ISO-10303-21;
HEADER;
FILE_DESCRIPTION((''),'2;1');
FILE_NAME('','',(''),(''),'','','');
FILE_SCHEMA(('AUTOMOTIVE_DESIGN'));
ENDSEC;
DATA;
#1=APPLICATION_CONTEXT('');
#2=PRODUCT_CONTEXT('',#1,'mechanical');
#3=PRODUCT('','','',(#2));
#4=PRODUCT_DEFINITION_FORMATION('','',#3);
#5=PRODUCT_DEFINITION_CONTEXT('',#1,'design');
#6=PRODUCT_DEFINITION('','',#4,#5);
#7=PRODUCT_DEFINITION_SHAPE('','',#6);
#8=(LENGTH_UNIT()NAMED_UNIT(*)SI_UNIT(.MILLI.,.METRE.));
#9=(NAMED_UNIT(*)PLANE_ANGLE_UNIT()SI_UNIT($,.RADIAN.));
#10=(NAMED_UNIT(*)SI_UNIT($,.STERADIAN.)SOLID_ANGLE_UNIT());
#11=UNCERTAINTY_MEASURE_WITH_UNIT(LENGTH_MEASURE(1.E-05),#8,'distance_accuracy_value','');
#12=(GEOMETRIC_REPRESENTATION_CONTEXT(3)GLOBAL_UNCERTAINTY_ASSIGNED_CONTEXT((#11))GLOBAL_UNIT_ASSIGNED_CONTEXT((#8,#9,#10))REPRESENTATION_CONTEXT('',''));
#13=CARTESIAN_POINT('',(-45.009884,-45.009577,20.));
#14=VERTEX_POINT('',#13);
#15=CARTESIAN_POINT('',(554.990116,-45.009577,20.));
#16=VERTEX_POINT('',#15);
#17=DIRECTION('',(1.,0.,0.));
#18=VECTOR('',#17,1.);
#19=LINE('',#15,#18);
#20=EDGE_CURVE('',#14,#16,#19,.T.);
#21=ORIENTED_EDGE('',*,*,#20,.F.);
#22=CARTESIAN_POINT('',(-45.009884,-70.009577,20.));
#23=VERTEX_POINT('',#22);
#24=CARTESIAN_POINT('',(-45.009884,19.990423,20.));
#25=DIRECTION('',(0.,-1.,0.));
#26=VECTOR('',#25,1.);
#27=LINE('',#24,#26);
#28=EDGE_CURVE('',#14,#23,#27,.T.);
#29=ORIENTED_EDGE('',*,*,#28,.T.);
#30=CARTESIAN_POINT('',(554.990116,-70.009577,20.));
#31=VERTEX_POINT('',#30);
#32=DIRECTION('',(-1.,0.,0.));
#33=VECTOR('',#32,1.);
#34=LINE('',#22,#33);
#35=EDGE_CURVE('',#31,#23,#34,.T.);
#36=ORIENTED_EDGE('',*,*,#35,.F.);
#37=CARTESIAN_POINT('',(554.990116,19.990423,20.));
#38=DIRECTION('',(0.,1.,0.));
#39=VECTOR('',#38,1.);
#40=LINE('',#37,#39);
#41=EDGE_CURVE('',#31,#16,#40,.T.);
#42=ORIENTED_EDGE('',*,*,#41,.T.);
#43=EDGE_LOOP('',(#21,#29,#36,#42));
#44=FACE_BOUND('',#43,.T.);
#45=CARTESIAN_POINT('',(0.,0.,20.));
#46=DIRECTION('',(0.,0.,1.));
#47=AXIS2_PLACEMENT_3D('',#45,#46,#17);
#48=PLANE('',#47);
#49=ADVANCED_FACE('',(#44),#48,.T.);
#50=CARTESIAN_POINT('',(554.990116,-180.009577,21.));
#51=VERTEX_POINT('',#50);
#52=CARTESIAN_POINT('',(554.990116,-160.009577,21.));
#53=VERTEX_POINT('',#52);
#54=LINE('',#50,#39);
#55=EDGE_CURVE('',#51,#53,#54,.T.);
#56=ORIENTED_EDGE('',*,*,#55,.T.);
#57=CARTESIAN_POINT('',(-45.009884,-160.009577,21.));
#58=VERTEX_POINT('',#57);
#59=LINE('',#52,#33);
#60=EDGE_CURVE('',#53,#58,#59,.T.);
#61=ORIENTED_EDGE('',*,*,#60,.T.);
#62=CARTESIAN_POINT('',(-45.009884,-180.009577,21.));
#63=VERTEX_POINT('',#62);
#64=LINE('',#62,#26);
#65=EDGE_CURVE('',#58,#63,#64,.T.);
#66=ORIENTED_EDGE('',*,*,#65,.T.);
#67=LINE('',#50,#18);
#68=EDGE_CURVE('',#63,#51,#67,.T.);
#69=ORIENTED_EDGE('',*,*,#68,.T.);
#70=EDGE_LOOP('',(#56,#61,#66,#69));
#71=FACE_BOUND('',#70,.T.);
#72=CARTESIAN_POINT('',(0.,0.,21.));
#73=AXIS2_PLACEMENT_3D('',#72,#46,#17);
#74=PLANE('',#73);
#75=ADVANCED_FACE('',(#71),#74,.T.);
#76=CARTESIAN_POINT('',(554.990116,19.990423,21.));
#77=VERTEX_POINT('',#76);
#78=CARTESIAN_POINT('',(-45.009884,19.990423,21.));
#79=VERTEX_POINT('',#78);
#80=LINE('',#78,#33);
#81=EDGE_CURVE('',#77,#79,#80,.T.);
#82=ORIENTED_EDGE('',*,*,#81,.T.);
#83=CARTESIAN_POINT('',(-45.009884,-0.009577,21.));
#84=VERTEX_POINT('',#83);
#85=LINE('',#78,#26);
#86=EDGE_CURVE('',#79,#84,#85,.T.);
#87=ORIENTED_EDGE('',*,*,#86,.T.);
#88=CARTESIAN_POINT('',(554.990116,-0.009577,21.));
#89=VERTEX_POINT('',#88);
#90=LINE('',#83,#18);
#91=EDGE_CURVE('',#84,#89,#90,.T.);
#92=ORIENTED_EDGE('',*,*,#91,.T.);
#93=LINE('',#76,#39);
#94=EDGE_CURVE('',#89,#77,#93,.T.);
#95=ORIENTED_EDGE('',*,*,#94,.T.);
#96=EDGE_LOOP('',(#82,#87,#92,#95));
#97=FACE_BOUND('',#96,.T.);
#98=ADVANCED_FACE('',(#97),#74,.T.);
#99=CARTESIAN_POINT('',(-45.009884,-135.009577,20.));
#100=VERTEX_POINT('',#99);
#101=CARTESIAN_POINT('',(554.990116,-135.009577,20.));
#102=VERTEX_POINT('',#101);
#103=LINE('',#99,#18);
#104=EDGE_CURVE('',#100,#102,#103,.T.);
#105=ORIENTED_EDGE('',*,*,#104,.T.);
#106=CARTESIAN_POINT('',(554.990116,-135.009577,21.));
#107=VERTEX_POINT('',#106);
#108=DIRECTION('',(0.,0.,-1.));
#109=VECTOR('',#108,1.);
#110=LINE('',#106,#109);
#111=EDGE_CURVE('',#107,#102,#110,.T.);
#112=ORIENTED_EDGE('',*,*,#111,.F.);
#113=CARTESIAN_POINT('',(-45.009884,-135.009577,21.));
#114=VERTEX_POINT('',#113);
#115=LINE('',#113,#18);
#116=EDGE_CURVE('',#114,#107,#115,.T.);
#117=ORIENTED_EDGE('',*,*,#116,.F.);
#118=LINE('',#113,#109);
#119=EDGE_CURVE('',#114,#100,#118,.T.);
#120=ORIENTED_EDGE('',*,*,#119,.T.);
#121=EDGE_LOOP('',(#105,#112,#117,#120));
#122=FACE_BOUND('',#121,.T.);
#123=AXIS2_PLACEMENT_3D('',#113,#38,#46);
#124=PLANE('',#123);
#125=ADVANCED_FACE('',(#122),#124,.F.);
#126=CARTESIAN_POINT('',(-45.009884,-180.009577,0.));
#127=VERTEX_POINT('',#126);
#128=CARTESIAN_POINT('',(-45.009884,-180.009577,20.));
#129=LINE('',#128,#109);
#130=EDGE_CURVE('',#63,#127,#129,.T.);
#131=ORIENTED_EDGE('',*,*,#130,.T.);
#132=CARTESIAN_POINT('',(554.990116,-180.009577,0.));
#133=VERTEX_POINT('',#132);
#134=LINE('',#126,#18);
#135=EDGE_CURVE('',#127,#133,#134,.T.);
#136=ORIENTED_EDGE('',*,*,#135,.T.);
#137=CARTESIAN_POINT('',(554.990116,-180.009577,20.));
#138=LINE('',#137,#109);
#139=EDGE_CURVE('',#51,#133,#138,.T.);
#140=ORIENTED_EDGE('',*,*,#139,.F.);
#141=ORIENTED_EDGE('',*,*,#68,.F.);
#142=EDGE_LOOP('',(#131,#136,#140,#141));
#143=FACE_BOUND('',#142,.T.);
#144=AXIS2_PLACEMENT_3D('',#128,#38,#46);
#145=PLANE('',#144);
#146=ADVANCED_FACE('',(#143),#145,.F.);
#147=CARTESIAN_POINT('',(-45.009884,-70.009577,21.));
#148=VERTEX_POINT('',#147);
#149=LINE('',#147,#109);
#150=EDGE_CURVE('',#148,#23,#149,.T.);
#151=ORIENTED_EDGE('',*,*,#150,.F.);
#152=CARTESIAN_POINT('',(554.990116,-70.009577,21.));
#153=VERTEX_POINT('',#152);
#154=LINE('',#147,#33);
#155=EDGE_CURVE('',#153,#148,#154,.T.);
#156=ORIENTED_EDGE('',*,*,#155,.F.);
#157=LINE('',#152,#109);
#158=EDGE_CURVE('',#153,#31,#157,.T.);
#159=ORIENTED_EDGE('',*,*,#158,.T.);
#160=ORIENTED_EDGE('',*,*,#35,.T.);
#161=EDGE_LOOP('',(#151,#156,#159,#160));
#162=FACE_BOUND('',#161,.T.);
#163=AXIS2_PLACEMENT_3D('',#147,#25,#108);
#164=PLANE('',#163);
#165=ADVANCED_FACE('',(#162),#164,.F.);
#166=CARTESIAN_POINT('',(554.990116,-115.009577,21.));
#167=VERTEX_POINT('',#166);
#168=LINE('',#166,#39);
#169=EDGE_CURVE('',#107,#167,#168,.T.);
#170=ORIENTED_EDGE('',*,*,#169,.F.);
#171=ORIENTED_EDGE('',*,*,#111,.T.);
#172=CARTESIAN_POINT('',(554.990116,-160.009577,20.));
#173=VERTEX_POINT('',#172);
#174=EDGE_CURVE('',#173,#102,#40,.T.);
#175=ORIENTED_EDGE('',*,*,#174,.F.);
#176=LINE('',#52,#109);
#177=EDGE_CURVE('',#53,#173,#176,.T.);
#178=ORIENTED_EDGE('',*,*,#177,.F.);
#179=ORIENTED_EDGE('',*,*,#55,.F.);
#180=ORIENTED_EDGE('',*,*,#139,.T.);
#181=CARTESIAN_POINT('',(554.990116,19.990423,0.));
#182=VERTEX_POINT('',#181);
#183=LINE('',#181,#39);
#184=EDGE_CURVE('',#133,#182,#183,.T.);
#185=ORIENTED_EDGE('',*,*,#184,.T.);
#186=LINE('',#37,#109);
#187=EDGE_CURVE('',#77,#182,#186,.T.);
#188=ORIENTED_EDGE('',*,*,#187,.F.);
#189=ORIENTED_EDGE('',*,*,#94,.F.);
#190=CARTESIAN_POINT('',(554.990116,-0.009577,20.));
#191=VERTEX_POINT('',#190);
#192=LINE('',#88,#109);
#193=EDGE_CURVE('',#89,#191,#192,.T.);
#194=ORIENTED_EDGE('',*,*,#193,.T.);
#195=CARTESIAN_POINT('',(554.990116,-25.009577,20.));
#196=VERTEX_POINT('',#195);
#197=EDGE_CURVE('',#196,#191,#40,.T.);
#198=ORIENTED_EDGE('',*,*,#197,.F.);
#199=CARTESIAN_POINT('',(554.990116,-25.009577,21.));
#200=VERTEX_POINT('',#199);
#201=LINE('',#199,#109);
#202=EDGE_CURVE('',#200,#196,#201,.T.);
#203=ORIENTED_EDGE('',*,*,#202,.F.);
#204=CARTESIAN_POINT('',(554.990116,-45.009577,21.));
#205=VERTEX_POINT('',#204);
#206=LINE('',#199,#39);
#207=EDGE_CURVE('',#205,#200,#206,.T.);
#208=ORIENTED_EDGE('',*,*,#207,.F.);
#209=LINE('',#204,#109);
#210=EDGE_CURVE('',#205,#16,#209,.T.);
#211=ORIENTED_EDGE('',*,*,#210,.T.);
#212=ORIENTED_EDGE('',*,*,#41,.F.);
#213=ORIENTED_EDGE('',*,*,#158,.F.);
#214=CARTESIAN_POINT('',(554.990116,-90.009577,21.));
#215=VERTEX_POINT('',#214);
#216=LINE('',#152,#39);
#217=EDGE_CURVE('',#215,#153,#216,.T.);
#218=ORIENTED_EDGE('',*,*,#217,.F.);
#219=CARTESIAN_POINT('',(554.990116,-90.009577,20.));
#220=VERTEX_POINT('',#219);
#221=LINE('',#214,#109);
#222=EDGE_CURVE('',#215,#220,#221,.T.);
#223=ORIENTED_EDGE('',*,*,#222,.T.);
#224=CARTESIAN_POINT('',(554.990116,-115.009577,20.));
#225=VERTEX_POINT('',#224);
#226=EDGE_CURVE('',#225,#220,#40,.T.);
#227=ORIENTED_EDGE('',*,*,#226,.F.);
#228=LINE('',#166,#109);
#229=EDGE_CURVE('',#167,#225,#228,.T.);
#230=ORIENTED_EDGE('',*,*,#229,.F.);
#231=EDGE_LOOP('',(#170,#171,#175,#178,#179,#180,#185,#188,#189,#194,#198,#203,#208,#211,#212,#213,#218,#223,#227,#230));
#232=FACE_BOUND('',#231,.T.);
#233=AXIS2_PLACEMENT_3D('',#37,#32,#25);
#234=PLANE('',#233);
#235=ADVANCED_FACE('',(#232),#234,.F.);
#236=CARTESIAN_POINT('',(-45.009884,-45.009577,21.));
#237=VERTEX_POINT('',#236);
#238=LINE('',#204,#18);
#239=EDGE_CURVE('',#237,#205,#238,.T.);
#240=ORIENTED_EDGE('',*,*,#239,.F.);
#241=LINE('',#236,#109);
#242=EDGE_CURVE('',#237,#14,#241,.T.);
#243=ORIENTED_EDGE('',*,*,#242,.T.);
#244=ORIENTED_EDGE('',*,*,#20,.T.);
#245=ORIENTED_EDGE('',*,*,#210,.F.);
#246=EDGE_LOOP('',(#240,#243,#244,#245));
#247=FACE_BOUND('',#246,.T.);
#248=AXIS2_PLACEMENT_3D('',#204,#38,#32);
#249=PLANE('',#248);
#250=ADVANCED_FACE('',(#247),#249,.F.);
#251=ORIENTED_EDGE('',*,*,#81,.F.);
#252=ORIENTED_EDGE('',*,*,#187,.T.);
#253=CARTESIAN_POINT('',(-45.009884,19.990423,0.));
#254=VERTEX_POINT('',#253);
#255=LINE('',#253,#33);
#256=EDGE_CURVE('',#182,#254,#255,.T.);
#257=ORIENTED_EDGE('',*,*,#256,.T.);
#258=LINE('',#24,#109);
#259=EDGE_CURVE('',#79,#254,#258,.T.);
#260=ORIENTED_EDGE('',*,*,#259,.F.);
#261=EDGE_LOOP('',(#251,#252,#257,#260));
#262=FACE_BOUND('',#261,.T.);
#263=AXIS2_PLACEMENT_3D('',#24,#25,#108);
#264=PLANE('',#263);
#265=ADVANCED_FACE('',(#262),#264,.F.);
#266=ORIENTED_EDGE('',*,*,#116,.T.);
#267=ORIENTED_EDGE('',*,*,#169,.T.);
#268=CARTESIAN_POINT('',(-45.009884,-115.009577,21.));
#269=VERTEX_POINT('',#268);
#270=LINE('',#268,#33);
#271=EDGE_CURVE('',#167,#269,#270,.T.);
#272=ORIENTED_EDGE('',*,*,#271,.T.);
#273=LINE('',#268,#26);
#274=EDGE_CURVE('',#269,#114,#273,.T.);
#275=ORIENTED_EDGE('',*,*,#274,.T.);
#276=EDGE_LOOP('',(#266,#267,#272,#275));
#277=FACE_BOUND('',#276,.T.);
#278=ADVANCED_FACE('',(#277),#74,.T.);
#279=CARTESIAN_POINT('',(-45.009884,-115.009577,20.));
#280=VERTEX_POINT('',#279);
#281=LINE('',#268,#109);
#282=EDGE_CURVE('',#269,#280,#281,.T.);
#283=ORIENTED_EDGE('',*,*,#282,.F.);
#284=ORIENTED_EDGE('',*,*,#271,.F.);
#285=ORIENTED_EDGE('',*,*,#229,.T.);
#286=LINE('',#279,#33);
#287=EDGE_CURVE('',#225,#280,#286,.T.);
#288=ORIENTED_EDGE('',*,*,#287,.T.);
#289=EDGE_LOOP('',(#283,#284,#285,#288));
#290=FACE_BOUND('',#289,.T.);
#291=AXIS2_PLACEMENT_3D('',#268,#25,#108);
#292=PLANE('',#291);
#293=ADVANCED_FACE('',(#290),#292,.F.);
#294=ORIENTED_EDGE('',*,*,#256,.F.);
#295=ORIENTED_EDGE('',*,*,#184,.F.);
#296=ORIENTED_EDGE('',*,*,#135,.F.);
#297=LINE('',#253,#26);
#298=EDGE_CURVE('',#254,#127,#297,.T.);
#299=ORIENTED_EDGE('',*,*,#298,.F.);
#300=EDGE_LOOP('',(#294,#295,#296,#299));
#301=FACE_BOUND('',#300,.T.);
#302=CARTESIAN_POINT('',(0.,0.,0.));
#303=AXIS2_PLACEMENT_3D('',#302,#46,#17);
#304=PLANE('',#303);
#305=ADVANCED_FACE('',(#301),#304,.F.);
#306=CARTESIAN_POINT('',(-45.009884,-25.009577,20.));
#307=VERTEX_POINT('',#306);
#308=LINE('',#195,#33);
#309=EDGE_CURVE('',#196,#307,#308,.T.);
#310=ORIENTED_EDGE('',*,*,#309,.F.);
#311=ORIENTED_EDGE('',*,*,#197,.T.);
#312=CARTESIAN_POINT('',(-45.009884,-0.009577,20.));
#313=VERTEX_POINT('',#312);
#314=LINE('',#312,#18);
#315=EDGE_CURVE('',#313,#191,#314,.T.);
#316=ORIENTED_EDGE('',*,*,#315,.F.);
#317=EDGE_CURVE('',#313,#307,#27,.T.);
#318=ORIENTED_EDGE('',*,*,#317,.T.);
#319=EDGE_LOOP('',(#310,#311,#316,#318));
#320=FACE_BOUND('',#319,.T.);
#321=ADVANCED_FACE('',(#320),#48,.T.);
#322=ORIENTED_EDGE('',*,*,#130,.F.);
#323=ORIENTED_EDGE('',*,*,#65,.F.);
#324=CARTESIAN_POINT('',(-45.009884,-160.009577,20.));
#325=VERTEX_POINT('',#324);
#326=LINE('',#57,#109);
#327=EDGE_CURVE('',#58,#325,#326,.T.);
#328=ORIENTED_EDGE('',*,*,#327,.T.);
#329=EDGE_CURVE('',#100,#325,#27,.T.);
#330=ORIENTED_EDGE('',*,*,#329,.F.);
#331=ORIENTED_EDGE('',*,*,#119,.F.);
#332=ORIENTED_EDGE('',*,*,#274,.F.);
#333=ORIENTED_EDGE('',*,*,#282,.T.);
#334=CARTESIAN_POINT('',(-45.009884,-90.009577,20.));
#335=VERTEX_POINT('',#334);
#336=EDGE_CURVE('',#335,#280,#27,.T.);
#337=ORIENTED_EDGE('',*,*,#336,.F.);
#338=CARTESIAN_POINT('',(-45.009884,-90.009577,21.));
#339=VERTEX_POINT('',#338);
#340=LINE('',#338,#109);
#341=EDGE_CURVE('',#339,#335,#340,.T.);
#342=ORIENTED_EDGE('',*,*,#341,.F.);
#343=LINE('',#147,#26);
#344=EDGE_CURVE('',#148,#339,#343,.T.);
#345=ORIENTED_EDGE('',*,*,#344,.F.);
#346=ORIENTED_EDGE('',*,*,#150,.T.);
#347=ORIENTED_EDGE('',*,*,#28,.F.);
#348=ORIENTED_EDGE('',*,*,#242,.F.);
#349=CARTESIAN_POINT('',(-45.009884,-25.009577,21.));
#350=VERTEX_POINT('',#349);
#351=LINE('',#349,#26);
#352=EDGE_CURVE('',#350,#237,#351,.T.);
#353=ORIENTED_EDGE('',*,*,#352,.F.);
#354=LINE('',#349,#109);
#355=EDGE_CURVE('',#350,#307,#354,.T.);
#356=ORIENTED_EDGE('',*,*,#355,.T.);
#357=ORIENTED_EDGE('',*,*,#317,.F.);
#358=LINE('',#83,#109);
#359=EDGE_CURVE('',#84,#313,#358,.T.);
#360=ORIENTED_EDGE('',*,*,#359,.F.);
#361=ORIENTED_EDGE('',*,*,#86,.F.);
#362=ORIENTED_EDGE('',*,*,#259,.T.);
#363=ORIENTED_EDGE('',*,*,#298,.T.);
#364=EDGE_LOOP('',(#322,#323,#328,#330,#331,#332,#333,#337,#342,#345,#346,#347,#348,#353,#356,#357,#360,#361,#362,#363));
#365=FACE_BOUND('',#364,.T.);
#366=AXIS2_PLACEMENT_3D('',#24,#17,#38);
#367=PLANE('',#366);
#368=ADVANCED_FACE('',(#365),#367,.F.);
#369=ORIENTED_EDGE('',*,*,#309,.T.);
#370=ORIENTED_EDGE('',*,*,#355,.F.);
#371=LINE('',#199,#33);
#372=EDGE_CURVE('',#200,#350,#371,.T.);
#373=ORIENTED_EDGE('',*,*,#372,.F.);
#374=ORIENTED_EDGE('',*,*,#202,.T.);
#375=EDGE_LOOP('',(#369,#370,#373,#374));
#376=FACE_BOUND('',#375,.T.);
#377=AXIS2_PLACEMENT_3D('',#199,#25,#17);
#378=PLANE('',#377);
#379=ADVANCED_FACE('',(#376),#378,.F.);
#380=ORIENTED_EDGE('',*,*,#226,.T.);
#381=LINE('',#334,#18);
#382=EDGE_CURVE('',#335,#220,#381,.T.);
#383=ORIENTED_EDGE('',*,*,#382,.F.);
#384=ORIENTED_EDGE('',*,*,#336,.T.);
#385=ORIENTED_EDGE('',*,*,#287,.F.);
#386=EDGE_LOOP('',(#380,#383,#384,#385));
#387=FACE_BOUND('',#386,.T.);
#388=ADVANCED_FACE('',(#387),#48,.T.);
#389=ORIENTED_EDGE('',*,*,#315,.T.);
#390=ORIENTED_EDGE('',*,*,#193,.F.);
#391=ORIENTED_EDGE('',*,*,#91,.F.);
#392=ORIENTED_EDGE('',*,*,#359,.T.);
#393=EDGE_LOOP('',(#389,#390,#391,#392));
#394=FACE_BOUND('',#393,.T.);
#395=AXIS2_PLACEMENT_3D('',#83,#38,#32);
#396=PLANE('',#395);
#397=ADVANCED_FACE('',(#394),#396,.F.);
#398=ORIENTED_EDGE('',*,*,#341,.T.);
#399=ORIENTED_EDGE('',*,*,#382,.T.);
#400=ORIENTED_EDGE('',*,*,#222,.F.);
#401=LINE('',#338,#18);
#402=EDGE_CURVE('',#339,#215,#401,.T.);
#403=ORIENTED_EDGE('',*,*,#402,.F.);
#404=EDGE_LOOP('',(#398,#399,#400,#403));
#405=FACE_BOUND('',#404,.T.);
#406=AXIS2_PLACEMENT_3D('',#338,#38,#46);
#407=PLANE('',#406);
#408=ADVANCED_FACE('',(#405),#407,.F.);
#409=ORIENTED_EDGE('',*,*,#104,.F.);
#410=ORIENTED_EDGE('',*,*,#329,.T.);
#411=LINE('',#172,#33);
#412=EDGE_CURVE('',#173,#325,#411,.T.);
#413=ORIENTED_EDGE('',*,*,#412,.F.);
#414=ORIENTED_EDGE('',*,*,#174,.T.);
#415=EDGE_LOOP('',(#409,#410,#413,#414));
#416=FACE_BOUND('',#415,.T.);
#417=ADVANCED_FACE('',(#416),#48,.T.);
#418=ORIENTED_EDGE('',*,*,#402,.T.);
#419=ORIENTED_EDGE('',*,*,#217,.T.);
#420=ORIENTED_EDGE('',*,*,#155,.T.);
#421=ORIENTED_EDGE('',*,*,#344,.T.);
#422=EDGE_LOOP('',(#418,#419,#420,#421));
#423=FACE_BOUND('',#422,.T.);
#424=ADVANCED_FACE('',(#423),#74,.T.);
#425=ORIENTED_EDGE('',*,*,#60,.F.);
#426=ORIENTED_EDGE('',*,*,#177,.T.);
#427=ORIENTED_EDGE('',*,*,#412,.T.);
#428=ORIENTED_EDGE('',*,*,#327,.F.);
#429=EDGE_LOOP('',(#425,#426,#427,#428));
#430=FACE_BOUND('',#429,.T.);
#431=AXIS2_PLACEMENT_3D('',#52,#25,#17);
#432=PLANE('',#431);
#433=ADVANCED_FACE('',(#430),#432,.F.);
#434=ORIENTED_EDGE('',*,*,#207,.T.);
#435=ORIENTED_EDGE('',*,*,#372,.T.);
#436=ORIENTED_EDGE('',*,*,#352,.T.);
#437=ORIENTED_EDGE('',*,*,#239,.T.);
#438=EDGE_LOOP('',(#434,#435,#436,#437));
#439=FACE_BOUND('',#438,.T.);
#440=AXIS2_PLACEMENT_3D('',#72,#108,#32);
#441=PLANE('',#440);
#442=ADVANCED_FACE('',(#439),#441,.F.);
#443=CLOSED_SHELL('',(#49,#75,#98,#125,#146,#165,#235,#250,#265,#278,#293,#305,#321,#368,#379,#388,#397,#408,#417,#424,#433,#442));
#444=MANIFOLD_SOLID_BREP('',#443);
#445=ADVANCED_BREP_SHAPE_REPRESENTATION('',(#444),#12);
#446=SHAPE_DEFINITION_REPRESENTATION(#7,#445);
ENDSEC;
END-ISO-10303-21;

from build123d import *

# Parameters (mm, degrees)
ESQUISSE1_W        = 600
ESQUISSE1_H        = 200
BOSS_EXTRU_1_DEPTH = 20
ESQUISSE2_W        = 600
ESQUISSE2_H        = 20
BOSS_EXTRU_2_DEPTH = 1


with BuildPart() as part:
    # Esquisse1 → Boss.-Extru.1 (new body)
    with BuildSketch(Plane.XY):
        with Locations((254.990116202, -80.009576749)):
            Rectangle(ESQUISSE1_W, ESQUISSE1_H)
    extrude(amount=BOSS_EXTRU_1_DEPTH)

    # Esquisse2 → Boss.-Extru.2 (add)
    with BuildSketch(Plane.XY.offset(20)):
        with Locations((254.990116202, 9.990423251)):
            Rectangle(ESQUISSE2_W, ESQUISSE2_H)
        with Locations((254.990116202, -35.009576749)):
            Rectangle(ESQUISSE2_W, ESQUISSE2_H)
        with Locations((254.990116202, -80.009576749)):
            Rectangle(ESQUISSE2_W, ESQUISSE2_H)
        with Locations((254.990116202, -125.009576749)):
            Rectangle(ESQUISSE2_W, ESQUISSE2_H)
        with Locations((254.990116202, -170.009576749)):
            Rectangle(ESQUISSE2_W, ESQUISSE2_H)
    extrude(amount=BOSS_EXTRU_2_DEPTH)


solid = part.part
